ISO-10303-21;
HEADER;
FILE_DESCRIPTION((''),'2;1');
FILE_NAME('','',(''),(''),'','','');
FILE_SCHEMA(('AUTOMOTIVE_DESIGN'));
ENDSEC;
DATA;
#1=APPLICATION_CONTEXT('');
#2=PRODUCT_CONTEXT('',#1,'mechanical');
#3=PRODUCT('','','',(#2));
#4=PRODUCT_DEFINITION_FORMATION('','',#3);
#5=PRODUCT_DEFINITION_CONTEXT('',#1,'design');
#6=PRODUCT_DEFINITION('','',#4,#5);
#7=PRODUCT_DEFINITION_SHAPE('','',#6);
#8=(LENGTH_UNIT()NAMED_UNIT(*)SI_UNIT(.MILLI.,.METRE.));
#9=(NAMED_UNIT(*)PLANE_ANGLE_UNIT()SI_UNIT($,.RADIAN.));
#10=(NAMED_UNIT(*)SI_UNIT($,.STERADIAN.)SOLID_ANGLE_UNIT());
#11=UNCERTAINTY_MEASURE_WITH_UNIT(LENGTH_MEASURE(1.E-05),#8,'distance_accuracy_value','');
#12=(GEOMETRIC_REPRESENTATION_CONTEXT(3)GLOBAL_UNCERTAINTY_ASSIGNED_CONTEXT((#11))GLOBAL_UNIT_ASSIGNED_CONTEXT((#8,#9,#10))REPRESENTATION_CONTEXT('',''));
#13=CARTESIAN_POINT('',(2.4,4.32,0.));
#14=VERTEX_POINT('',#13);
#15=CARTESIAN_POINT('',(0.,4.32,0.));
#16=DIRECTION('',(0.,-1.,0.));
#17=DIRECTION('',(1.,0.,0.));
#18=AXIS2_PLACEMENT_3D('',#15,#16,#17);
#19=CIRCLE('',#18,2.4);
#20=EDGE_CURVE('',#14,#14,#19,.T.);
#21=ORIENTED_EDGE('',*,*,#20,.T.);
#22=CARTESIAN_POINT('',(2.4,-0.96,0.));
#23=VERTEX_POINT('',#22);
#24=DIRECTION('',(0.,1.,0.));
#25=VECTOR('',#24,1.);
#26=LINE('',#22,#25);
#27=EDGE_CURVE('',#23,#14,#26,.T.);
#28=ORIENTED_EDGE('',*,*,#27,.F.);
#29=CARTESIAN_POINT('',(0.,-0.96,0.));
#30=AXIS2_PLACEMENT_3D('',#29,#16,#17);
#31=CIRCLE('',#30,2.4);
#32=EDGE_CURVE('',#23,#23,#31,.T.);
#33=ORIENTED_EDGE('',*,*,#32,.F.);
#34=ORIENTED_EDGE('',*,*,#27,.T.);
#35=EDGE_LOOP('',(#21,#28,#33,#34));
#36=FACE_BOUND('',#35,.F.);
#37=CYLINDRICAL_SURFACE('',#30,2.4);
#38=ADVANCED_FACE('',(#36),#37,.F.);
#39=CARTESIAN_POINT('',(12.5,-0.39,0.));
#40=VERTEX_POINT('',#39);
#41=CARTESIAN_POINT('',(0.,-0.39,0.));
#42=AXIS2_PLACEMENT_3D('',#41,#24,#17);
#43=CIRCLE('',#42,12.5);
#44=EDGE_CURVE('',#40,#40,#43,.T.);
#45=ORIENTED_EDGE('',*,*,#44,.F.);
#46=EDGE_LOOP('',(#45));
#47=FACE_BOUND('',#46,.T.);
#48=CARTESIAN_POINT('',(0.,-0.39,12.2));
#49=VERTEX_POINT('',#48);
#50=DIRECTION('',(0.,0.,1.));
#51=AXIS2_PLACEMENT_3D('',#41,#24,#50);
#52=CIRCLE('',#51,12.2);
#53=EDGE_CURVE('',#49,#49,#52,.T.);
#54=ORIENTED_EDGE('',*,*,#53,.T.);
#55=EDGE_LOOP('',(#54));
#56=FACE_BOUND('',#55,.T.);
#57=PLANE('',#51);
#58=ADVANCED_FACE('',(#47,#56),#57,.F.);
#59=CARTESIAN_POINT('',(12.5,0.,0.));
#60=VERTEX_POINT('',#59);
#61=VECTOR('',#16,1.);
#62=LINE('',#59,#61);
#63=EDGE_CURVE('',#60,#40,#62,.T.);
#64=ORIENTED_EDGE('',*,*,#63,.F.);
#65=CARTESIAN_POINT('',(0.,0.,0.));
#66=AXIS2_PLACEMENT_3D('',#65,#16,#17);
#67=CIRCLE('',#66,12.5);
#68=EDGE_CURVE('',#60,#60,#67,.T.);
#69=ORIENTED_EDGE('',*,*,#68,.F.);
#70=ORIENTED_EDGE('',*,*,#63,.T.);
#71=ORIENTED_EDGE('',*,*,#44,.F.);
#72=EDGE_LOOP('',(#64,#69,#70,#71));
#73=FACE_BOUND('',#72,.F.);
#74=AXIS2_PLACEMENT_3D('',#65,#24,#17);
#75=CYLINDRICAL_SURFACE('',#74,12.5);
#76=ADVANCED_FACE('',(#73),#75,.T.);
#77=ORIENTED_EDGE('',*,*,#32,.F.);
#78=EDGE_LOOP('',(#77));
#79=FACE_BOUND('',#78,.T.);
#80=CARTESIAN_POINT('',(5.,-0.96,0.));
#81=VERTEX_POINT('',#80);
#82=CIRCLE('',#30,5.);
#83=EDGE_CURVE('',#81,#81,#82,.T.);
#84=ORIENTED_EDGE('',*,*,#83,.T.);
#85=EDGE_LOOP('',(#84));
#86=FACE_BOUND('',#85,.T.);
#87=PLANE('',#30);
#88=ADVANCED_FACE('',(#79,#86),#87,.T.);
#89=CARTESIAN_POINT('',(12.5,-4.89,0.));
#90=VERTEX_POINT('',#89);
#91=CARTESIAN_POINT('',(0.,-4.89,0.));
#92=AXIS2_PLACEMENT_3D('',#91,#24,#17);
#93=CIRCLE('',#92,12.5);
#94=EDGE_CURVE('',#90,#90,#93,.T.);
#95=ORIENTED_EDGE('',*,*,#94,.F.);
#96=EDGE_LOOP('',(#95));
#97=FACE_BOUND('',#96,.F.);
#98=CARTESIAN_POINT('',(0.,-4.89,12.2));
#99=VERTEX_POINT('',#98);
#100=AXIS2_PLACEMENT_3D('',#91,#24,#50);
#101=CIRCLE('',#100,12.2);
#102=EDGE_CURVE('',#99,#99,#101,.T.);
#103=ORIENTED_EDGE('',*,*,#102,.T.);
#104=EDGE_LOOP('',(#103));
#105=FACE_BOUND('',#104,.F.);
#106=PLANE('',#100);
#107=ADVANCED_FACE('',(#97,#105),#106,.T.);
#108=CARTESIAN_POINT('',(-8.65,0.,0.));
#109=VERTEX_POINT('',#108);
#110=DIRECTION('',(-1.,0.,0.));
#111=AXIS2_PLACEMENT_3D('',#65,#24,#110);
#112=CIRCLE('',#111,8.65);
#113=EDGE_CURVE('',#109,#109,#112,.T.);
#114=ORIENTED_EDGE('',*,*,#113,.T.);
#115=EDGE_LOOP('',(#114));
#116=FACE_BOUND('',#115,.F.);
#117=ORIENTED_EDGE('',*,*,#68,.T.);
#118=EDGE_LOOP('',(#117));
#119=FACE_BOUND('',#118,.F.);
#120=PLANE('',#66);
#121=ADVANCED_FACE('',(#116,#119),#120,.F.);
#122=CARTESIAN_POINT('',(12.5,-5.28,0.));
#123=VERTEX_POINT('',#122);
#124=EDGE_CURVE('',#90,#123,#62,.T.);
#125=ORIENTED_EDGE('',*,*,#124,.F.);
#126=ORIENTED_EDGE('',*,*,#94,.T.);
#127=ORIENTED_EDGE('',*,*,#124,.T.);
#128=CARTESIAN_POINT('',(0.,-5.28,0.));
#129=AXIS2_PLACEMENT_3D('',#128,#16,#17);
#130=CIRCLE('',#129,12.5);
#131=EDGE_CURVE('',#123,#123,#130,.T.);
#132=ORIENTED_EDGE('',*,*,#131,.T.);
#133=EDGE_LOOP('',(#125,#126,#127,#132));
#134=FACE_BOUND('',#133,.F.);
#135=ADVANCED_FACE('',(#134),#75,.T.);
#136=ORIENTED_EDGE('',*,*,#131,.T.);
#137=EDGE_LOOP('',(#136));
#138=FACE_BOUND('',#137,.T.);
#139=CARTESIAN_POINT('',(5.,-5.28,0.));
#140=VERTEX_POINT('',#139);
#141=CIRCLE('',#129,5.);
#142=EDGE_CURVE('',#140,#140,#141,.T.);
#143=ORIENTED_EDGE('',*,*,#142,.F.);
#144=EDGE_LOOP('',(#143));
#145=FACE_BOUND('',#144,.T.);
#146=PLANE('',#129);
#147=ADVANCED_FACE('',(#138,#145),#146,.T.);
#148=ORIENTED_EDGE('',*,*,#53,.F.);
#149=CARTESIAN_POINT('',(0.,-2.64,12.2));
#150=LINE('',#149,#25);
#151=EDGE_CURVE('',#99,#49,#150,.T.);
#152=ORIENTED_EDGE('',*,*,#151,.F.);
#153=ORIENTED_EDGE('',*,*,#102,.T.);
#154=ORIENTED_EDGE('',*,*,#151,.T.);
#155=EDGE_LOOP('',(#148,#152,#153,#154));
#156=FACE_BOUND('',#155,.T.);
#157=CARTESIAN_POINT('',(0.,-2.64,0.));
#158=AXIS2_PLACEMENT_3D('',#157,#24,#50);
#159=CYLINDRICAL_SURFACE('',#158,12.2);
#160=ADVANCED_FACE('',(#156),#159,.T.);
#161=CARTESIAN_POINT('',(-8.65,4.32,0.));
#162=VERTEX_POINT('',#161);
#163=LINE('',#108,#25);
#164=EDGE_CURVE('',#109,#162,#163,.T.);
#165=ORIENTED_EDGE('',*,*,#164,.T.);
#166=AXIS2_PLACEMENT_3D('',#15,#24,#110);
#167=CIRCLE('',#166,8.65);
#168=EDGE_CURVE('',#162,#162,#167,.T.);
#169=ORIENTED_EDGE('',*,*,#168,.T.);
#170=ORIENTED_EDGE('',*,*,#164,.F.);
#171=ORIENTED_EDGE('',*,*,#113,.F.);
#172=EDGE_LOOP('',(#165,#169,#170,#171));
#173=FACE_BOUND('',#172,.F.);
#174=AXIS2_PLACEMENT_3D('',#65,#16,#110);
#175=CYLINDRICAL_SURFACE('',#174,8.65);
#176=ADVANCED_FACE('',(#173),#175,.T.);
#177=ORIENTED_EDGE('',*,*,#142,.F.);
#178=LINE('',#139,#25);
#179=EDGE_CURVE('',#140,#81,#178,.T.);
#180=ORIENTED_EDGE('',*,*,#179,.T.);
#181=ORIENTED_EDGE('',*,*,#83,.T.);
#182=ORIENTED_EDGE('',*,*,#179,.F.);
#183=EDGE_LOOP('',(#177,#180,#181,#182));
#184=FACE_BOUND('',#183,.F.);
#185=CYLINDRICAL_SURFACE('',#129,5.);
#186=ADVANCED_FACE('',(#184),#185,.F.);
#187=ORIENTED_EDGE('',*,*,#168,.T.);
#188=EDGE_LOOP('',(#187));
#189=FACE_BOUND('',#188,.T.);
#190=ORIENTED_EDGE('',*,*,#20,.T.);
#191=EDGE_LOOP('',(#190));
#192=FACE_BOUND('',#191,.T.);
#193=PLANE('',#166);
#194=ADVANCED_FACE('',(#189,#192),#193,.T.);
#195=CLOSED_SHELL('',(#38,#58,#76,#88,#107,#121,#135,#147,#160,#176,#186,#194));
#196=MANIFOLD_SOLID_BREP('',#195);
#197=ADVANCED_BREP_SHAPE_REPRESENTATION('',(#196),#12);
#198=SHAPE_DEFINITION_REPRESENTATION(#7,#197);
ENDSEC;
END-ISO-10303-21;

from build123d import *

# Parameters (mm, degrees)
F0_R     = 12.5
F1_DEPTH = 5.28
F2_R     = 8.65
F3_DEPTH = 4.32
F4_R     = 5
F5_DEPTH = 4.32
F6_W     = 4.5
F6_H     = 0.3
F8_R     = 2.4
F9_DEPTH = 25


with BuildPart() as f1:
    # F0 (on Front) → F1 (new body)
    with BuildSketch(Plane.XZ):
        Circle(F0_R)
    extrude(amount=F1_DEPTH)

    # F2 (on face) → F3 (join)
    with BuildSketch(Plane(origin=(0, 0, 0), x_dir=(-1, 0, 0), z_dir=(0, 1, 0))):
        Circle(F2_R)
    extrude(amount=F3_DEPTH)

    # F4 (on face) → F5 (cut)
    with BuildSketch(Plane.XZ.offset(5.28)):
        Circle(F4_R)
    extrude(amount=-F5_DEPTH, mode=Mode.SUBTRACT)

    # F6 (on Right) → F7 (revolve, cut)
    with BuildSketch(Plane.YZ):
        with Locations((-2.64, 12.35)):
            Rectangle(F6_W, F6_H)
    revolve(axis=Axis((0, 0, 0), (0, 1, 0)), mode=Mode.SUBTRACT)

    # F8 (on face) → F9 (cut)
    with BuildSketch(Plane.XZ.offset(0.96)):
        Circle(F8_R)
    extrude(amount=-F9_DEPTH, mode=Mode.SUBTRACT)


solid = f1.part
